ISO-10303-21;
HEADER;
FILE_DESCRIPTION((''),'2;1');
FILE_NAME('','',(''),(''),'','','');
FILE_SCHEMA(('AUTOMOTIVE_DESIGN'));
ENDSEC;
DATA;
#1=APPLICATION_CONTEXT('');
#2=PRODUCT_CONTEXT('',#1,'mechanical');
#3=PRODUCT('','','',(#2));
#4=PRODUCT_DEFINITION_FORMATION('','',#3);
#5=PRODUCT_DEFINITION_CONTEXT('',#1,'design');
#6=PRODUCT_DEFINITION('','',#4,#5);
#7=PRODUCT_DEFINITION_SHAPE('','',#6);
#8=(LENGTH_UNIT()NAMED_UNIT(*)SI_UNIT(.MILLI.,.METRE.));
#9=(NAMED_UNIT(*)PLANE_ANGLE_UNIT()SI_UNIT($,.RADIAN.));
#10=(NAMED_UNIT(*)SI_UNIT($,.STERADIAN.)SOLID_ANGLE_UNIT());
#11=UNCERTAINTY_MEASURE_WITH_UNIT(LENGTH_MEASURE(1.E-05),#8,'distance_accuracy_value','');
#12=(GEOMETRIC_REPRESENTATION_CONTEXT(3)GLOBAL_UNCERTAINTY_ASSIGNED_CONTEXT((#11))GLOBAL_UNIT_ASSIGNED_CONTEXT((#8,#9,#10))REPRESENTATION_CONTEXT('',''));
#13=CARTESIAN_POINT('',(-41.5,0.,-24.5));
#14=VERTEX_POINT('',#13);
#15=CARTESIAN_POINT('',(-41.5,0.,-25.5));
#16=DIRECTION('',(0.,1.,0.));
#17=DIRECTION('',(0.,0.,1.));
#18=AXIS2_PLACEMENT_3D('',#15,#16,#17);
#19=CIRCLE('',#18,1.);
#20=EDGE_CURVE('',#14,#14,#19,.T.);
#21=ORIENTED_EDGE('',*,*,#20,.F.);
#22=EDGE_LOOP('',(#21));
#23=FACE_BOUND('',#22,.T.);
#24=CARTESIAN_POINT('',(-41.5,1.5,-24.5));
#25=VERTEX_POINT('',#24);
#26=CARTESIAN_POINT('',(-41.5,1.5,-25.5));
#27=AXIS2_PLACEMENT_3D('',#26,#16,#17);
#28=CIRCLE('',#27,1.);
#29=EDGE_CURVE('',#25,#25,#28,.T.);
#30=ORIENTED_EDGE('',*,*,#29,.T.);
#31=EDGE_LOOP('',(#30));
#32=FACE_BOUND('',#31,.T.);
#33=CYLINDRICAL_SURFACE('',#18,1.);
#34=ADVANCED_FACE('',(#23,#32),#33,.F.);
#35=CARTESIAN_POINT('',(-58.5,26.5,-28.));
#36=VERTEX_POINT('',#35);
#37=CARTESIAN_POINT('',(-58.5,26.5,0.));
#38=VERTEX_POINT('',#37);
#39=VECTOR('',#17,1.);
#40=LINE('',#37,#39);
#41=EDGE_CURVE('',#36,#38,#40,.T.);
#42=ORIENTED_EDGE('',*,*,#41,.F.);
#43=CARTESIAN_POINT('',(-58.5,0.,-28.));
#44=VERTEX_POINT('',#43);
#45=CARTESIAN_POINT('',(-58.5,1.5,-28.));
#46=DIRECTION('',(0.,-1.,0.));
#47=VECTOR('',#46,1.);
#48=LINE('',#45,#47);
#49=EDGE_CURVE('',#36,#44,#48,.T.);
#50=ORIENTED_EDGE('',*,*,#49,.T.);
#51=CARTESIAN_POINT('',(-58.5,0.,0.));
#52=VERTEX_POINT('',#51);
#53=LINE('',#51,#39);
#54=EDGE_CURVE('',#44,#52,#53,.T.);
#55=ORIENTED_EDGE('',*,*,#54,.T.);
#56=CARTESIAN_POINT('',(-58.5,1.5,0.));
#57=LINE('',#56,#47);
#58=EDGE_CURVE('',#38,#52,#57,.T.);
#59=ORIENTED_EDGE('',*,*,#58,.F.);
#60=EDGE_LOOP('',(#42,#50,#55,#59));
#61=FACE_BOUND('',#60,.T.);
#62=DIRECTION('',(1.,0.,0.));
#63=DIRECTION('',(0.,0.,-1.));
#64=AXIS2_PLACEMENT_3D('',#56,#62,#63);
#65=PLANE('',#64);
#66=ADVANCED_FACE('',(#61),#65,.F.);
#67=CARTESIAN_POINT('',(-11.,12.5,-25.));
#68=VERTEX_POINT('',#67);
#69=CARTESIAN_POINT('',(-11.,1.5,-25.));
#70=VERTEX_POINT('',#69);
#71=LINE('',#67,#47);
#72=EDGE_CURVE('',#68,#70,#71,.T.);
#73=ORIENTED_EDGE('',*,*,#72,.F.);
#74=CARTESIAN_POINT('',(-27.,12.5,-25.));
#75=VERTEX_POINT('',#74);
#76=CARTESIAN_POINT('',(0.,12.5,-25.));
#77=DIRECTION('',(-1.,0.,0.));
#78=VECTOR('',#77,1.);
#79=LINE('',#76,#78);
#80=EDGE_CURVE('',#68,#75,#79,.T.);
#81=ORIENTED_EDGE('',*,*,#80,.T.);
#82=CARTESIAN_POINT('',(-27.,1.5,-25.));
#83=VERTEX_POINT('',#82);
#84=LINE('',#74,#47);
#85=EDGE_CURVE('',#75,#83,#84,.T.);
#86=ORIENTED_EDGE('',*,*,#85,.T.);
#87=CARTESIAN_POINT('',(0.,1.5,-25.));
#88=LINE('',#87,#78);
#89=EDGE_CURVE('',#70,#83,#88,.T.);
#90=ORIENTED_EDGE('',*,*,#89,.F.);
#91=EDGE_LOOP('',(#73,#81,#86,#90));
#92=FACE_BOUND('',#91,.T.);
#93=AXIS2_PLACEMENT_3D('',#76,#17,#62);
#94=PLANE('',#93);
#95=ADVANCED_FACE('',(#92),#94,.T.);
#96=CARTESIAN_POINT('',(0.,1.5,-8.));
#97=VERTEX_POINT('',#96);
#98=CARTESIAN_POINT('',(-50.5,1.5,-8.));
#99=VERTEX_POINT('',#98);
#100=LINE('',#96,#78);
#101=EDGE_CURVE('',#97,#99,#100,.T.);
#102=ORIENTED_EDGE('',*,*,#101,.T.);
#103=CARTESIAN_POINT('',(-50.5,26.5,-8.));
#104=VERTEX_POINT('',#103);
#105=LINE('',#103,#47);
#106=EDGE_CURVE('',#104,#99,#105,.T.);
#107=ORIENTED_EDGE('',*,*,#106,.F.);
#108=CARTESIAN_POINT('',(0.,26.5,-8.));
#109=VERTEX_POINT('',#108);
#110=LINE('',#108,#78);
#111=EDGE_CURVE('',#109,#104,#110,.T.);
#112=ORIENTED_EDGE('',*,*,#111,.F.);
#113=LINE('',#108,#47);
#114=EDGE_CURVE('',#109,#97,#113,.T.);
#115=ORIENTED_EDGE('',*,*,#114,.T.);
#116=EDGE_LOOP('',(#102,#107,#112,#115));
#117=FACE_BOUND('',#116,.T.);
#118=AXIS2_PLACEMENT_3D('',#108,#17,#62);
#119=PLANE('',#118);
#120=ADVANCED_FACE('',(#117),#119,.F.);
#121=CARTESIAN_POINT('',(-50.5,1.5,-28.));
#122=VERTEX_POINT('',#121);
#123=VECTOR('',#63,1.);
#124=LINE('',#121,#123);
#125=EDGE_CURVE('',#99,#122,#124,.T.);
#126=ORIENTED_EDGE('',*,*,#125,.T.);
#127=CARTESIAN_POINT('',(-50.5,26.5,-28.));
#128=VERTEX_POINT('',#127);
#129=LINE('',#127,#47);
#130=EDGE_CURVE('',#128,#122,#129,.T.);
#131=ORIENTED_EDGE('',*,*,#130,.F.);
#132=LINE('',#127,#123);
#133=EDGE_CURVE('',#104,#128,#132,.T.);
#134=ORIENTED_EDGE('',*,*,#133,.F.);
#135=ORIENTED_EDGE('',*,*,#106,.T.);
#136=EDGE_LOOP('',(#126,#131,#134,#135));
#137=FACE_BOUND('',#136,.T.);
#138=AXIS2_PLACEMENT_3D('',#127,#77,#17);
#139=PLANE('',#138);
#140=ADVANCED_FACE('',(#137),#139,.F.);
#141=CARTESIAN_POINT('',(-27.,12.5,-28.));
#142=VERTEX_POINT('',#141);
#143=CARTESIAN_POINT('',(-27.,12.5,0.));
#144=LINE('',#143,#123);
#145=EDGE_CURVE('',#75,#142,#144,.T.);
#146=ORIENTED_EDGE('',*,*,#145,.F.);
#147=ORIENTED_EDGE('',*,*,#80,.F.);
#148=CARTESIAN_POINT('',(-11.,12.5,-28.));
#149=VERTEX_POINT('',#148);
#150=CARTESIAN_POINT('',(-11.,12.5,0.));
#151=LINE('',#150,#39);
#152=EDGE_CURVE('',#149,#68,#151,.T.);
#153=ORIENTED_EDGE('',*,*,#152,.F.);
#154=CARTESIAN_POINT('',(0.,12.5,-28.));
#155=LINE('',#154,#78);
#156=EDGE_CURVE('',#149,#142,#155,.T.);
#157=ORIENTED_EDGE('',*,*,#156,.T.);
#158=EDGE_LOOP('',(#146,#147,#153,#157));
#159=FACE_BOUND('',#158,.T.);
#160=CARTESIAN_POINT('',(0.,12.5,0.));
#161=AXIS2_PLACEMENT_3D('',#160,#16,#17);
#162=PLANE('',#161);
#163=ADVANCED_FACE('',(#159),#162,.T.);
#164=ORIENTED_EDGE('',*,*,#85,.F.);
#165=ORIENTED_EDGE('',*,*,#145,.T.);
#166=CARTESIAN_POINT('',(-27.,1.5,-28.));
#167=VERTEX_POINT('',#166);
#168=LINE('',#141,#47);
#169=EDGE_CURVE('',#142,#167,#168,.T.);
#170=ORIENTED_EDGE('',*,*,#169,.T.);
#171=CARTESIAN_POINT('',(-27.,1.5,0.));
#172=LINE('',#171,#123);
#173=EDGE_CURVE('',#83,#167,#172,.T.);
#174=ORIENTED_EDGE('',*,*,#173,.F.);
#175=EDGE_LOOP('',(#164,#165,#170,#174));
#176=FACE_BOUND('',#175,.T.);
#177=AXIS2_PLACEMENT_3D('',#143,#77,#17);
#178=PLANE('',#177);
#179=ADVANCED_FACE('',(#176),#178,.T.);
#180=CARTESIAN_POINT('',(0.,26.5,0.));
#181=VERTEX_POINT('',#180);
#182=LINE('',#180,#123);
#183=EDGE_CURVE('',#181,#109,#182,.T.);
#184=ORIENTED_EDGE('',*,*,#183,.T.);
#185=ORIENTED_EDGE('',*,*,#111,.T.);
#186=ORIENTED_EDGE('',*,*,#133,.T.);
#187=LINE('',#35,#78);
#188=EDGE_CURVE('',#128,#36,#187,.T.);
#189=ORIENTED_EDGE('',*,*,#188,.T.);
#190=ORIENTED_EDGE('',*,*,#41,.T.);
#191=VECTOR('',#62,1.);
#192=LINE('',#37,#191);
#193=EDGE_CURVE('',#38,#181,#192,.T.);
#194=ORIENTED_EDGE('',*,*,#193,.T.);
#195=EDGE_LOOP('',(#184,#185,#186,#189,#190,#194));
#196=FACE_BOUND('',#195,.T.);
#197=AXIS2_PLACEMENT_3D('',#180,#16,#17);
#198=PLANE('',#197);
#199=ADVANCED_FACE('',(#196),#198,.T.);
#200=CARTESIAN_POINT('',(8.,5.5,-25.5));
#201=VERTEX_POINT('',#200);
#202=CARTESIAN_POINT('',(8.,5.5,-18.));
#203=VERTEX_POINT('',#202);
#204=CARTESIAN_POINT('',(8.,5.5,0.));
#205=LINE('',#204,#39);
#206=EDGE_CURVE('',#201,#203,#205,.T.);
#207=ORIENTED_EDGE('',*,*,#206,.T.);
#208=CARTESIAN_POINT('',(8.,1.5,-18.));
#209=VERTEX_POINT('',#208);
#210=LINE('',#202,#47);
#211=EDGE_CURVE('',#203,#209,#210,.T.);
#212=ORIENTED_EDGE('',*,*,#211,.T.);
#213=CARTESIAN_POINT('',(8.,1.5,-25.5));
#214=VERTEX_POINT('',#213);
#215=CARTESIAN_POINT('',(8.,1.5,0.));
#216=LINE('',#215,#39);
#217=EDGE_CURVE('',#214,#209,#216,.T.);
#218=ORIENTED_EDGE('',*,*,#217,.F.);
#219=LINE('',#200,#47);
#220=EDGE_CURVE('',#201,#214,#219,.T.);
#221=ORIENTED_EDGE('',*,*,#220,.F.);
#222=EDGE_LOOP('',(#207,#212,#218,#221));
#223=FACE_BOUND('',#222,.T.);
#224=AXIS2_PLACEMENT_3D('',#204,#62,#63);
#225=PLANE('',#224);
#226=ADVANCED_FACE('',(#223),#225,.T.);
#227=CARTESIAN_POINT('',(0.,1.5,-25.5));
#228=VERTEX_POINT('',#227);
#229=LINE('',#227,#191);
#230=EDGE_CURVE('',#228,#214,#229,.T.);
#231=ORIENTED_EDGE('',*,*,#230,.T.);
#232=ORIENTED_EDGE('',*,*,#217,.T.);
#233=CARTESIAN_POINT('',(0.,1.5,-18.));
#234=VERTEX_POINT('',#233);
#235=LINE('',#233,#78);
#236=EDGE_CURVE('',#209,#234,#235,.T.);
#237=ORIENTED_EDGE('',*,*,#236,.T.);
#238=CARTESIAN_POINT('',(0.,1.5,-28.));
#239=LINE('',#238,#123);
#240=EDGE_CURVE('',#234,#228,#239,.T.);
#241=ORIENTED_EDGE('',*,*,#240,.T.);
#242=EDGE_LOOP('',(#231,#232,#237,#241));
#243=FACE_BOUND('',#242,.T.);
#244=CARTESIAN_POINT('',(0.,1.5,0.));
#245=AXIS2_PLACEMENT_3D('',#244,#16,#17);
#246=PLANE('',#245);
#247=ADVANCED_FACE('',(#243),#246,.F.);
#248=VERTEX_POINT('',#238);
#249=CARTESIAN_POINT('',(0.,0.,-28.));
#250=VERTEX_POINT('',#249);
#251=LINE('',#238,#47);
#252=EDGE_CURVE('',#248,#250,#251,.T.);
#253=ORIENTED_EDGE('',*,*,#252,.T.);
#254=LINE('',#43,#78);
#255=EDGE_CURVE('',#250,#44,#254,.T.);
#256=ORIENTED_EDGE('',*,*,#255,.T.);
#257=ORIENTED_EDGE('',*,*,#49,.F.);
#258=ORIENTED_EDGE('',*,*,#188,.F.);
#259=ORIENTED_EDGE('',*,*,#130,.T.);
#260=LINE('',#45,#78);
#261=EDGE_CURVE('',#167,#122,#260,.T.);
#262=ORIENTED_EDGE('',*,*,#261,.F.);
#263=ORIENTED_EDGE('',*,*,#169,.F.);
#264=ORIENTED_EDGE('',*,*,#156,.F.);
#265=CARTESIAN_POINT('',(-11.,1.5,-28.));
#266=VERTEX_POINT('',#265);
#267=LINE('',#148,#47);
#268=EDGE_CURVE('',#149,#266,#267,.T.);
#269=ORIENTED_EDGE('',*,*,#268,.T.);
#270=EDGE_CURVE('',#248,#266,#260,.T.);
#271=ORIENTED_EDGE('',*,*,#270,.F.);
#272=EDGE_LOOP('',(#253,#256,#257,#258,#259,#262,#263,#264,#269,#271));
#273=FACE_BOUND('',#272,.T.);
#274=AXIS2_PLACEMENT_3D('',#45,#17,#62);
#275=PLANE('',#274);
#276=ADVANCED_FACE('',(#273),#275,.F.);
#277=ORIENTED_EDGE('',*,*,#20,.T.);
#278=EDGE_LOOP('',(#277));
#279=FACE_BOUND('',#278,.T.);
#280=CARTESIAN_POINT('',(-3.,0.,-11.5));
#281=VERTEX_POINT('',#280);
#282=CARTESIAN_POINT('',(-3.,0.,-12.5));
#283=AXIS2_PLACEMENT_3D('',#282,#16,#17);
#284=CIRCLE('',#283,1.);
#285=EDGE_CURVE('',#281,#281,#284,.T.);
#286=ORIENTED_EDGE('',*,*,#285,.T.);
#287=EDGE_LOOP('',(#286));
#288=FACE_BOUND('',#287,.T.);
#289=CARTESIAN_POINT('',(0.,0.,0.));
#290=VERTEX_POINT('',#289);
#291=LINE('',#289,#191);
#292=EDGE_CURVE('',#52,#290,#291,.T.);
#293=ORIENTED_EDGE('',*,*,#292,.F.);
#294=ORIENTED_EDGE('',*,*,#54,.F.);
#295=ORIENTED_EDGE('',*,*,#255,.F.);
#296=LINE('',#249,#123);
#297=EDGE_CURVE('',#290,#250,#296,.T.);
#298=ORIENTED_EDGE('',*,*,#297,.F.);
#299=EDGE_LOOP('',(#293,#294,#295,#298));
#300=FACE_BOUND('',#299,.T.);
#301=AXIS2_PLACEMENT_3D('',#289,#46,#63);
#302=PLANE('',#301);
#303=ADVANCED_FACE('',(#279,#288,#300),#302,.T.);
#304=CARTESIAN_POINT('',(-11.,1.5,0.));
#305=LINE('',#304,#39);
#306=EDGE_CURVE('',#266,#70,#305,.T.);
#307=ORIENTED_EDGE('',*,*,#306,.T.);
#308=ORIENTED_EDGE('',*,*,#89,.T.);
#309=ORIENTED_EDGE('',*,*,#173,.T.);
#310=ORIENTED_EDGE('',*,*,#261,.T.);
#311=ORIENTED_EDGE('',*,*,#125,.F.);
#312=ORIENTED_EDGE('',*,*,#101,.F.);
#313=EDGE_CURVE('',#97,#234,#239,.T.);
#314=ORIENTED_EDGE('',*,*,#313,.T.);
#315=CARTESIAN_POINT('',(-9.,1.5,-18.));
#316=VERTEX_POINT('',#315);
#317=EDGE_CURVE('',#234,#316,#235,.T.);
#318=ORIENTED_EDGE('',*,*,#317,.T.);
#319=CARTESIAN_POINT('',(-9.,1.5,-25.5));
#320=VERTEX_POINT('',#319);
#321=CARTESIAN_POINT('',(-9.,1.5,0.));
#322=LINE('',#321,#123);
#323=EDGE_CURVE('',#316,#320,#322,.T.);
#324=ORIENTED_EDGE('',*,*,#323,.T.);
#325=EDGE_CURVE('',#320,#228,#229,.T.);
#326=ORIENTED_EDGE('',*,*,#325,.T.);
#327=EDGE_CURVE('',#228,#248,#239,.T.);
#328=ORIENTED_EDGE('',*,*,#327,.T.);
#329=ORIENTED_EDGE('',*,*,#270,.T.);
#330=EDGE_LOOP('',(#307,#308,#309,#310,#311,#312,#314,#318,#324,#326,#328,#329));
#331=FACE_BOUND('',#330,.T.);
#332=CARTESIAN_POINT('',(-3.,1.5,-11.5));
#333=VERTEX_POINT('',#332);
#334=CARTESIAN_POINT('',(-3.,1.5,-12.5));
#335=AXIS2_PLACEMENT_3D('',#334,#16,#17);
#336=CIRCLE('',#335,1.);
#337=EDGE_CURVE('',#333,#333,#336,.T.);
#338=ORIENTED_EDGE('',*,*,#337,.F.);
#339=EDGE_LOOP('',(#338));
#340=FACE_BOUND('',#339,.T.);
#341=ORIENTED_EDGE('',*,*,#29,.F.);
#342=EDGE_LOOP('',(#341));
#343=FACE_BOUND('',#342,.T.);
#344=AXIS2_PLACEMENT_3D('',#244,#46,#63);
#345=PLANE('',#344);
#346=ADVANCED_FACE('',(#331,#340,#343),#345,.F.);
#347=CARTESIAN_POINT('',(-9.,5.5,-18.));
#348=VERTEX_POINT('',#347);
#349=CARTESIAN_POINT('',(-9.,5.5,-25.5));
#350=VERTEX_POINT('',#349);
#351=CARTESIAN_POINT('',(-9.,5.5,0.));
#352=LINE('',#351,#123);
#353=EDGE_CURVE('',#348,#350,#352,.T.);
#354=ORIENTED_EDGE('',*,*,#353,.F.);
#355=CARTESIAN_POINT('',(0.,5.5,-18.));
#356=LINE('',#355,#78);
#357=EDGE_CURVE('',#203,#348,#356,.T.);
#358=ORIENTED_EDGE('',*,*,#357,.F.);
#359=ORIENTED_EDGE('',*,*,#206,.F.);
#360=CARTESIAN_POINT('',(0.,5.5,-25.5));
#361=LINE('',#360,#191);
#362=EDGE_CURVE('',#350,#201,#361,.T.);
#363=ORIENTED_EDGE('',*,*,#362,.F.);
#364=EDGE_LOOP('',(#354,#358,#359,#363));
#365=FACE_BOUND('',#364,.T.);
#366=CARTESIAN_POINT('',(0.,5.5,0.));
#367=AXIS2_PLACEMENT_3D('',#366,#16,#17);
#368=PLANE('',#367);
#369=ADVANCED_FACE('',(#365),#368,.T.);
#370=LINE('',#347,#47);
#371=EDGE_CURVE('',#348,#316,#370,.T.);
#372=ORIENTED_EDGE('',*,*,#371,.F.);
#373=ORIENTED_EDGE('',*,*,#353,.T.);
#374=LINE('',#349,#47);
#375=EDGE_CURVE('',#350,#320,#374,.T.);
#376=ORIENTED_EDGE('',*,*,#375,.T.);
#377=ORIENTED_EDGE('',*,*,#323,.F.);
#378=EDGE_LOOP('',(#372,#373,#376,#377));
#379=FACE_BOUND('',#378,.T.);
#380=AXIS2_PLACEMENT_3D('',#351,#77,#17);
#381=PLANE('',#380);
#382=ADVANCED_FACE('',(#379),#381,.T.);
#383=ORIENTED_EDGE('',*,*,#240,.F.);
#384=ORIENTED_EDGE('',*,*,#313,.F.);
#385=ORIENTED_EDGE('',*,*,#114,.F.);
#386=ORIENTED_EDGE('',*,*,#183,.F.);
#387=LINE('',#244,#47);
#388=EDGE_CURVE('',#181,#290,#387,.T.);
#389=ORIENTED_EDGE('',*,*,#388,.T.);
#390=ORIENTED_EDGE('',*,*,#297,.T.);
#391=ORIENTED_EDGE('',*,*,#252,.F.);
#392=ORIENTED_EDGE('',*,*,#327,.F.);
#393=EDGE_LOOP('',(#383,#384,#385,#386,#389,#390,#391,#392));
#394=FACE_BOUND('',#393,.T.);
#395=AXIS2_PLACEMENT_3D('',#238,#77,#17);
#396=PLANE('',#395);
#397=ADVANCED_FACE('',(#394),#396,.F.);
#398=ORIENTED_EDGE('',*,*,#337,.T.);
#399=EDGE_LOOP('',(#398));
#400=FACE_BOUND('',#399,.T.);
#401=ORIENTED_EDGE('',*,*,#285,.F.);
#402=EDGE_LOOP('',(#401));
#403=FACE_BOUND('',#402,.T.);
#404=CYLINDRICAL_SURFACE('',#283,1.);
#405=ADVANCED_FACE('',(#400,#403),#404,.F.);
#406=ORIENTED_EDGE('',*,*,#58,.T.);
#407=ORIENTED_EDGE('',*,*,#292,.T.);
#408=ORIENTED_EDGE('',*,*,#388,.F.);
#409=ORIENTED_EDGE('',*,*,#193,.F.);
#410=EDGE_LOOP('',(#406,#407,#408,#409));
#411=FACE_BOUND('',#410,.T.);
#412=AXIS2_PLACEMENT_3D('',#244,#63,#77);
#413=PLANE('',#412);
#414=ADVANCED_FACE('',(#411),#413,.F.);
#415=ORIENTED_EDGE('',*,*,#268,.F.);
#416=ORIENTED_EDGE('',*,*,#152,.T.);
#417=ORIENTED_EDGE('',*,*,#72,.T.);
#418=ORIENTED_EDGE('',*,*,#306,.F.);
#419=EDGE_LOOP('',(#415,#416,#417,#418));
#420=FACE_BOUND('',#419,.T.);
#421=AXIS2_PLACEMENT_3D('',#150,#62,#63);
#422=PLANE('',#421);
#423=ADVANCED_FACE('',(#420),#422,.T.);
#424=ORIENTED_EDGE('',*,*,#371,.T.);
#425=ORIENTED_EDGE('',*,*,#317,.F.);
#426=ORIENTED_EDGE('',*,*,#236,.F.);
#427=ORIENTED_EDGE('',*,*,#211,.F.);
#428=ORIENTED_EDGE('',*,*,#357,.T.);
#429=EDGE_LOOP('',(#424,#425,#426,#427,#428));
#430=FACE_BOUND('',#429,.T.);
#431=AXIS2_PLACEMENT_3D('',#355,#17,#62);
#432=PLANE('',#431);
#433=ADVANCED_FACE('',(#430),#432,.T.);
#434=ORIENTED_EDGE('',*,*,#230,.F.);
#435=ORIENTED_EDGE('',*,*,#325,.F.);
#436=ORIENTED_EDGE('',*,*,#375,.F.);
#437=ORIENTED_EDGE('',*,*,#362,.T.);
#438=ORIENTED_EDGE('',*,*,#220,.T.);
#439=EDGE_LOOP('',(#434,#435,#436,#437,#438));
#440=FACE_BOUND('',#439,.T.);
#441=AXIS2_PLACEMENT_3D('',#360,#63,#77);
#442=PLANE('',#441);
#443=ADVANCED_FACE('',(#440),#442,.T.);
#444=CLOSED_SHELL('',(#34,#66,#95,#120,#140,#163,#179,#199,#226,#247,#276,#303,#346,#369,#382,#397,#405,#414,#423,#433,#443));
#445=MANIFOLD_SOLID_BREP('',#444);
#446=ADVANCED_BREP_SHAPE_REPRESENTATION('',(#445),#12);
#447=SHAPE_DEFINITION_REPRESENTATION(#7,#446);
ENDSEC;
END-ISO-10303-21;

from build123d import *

# Parameters (mm, degrees)
SKETCH_1_W          = 58.5
SKETCH_1_H          = 28
EXTRUDE_1_DEPTH     = 1.5
SKETCH_2_R          = 1
CUT_EXTRUDE_1_DEPTH = 1.5
EXTRUDE_2_DEPTH     = 25
SKETCH_4_W          = 16
SKETCH_4_H          = 3
EXTRUDE_3_DEPTH     = 11
SKETCH_5_W          = 8
SKETCH_5_H          = 7.5
SKETCH_5_W_2        = 9
EXTRUDE_4_DEPTH     = 4


with BuildPart() as part:
    # Эскиз1 → Бобышка-Вытянуть1 (new body)
    with BuildSketch(Plane(origin=(0, 0, 0), x_dir=(1, 0, 0), z_dir=(0, 1, 0))):
        with Locations((-29.25, 14)):
            Rectangle(SKETCH_1_W, SKETCH_1_H)
    extrude(amount=EXTRUDE_1_DEPTH)

    # Эскиз2 → Вырез-Вытянуть1 (cut)
    with BuildSketch(Plane(origin=(0, 1.5, 0), x_dir=(1, 0, 0), z_dir=(0, 1, 0))):
        with Locations(Location((-3, 12.5, 0), (0, 0, 270))):
            Circle(SKETCH_2_R)
        with Locations(Location((-41.5, 25.5, 0), (0, 0, 270))):
            Circle(SKETCH_2_R)
    extrude(amount=-CUT_EXTRUDE_1_DEPTH, mode=Mode.SUBTRACT)

    # Эскиз3 → Бобышка-Вытянуть2 (add)
    with BuildSketch(Plane(origin=(0, 1.5, 0), x_dir=(1, 0, 0), z_dir=(0, 1, 0))):
        Polygon((0, 0), (0, 8), (-50.5, 8), (-50.5, 28), (-58.5, 28), (-58.5, 0), align=None)
    extrude(amount=EXTRUDE_2_DEPTH)

    # Эскиз4 → Бобышка-Вытянуть3 (add)
    with BuildSketch(Plane(origin=(0, 1.5, 0), x_dir=(1, 0, 0), z_dir=(0, 1, 0))):
        with Locations((-19, 26.5)):
            Rectangle(SKETCH_4_W, SKETCH_4_H)
    extrude(amount=EXTRUDE_3_DEPTH)

    # Эскиз5 → Бобышка-Вытянуть4 (add)
    with BuildSketch(Plane(origin=(0, 1.5, 0), x_dir=(1, 0, 0), z_dir=(0, 1, 0))):
        with Locations((4, 21.75)):
            Rectangle(SKETCH_5_W, SKETCH_5_H)
        with Locations((-4.5, 21.75)):
            Rectangle(SKETCH_5_W_2, SKETCH_5_H)
    extrude(amount=EXTRUDE_4_DEPTH)


solid = part.part
